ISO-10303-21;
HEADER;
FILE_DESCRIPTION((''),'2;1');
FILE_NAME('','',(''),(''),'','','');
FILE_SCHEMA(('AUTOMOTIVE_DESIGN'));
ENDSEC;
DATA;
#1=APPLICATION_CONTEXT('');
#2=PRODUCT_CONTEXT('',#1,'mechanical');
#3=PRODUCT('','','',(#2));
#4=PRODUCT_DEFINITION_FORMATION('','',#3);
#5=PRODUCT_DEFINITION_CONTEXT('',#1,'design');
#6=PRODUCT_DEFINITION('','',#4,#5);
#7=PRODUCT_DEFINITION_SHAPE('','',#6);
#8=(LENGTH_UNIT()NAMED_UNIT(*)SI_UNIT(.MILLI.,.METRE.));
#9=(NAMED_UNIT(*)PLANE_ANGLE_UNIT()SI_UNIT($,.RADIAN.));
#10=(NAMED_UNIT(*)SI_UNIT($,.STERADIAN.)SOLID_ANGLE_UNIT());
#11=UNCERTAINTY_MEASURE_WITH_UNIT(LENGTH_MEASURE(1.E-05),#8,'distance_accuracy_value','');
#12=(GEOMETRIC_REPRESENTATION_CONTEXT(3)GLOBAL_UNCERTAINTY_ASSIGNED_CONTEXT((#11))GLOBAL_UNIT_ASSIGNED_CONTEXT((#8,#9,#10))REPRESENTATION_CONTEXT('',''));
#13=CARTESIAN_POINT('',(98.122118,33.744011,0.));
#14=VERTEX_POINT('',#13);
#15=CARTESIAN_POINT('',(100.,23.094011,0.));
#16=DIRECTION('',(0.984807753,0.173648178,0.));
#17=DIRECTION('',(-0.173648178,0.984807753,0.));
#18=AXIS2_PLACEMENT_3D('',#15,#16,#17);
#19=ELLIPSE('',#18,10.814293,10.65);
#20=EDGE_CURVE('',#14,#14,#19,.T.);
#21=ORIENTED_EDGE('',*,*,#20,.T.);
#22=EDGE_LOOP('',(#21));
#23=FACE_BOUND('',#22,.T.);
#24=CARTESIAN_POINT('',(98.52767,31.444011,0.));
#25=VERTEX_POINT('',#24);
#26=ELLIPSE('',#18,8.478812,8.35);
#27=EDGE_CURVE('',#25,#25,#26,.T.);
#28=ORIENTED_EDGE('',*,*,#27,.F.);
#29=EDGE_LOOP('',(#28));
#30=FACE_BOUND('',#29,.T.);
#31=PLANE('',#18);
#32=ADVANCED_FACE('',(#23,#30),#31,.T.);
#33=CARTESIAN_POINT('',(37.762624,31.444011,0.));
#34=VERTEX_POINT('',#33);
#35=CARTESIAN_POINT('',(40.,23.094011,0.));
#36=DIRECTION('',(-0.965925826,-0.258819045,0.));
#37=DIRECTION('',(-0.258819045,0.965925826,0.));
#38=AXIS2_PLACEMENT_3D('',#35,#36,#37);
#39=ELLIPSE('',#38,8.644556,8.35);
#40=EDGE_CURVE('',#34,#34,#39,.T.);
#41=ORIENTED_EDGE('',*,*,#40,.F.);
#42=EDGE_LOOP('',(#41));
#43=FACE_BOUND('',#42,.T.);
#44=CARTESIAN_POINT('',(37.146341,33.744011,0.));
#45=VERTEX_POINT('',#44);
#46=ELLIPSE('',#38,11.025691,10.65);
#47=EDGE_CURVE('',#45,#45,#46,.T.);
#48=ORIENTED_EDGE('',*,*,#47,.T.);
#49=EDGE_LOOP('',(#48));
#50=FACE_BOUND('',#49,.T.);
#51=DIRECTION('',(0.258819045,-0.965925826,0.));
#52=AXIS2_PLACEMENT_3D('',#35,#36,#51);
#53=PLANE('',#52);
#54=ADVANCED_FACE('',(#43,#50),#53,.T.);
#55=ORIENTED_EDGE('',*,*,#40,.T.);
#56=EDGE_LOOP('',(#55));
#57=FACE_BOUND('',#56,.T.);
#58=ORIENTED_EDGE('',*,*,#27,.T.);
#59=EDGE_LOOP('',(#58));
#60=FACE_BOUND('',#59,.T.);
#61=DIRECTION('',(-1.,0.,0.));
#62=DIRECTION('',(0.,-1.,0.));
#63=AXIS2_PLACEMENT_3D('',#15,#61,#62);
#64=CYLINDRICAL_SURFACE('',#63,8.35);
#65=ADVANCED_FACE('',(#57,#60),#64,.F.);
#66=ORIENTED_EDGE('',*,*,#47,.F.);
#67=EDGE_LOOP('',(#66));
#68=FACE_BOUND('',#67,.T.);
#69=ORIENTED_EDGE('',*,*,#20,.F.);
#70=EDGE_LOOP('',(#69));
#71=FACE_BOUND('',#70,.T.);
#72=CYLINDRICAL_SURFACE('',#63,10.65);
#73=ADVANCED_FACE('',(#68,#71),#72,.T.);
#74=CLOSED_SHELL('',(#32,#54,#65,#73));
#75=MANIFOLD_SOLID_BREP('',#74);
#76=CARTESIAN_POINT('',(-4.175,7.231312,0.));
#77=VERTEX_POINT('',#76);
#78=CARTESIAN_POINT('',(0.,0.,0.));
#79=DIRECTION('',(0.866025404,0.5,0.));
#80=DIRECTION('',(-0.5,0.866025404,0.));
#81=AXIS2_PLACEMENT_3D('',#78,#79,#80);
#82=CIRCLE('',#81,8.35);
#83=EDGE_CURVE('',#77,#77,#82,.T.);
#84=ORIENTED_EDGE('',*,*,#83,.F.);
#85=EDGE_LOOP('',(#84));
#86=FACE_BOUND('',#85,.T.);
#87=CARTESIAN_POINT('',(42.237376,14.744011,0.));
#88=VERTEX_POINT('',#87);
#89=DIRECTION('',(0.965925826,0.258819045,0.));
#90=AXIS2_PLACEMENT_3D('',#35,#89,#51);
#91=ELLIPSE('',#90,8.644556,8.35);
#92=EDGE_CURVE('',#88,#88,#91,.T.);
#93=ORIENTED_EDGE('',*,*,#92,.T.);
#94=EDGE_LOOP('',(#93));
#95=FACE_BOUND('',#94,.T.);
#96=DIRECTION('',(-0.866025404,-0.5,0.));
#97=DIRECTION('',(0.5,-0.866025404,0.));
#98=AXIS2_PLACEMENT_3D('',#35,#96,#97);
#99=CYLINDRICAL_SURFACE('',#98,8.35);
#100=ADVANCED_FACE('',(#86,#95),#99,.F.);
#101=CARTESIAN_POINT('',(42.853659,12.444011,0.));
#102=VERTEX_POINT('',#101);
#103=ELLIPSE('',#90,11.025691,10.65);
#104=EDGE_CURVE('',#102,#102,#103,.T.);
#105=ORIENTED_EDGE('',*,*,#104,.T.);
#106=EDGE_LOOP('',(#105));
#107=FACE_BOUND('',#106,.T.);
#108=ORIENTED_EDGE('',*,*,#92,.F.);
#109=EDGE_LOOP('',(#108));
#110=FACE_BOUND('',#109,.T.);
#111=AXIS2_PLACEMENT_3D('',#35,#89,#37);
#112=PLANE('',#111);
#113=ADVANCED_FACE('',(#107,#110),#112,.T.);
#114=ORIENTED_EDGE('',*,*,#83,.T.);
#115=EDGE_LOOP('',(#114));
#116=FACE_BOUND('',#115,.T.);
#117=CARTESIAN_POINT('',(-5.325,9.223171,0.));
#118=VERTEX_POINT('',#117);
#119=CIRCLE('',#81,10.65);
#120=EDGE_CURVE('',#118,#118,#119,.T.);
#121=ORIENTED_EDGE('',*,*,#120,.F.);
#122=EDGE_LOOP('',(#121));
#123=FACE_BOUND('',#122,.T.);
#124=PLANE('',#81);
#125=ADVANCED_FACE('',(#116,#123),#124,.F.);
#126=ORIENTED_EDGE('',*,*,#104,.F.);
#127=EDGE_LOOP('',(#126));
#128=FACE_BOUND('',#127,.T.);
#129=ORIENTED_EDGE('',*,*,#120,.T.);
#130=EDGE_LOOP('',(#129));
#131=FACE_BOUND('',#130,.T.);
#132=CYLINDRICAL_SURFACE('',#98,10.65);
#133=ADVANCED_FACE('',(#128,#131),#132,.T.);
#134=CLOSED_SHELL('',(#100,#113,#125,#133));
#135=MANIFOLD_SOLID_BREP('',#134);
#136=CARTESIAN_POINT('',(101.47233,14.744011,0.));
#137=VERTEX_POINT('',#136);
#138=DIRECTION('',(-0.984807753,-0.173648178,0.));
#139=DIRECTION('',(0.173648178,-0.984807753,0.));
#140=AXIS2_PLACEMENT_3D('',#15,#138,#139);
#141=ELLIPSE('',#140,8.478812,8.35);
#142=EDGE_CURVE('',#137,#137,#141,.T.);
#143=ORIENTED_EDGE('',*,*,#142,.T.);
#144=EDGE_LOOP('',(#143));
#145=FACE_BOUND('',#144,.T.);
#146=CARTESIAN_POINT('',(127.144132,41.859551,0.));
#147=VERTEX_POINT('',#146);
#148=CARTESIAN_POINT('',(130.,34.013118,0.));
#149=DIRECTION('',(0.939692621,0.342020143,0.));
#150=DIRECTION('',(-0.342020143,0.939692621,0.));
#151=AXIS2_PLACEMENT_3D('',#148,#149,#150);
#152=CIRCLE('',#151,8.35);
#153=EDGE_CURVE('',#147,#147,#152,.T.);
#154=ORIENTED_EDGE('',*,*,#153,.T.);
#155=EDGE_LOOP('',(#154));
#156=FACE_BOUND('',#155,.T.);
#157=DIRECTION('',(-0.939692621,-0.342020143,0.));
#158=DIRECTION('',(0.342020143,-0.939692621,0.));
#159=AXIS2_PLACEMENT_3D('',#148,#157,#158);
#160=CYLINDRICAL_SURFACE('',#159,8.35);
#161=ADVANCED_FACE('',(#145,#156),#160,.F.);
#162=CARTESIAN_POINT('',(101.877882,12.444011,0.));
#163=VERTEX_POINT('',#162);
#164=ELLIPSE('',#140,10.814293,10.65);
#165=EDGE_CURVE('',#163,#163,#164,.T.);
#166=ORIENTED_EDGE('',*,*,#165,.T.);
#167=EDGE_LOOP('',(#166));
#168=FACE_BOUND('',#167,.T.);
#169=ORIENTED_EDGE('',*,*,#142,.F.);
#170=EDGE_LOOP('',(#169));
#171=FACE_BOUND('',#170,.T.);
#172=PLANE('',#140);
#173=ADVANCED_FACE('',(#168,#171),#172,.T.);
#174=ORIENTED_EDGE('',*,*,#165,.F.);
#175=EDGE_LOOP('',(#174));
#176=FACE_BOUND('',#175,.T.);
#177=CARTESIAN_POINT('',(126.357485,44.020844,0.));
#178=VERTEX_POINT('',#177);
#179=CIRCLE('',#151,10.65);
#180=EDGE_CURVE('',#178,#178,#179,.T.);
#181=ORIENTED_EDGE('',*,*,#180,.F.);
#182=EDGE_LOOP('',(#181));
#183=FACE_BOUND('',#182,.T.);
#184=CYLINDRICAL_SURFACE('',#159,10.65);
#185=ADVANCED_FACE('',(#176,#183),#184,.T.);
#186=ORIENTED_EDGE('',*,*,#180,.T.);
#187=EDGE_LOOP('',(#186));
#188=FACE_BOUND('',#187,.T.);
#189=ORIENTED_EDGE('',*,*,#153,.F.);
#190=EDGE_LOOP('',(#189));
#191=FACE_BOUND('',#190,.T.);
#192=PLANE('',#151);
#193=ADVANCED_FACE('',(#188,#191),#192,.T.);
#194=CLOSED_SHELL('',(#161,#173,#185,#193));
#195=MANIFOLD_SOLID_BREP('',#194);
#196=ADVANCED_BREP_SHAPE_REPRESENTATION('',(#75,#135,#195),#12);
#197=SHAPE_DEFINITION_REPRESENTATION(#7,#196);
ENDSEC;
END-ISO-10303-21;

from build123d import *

# Parameters (mm, degrees)
SKETCH1_R                    = 10.65
SKETCH1_R_2                  = 8.35
TUBER_A_21_3_X_2_3_1_DEPTH   = 51.223704653
SKETCH1_ON_SEGMENT_2_R       = 10.65
SKETCH1_ON_SEGMENT_2_R_2     = 8.35
TUBER_A_21_3_X_2_3_1_2_DEPTH = 68.691409798
SKETCH1_ON_SEGMENT_3_R       = 10.65
SKETCH1_ON_SEGMENT_3_R_2     = 8.35
TUBER_A_21_3_X_2_3_1_3_DEPTH = 35.581059854


with BuildPart() as part:
    # Sketch1 → Tubería 21.3 X 2.3(1) (new body)
    with BuildSketch(Plane(origin=(0, 0, 0), x_dir=(-0.5, 0.866025404, 0), z_dir=(0.866025404, 0.5, 0))):
        Circle(SKETCH1_R)
        Circle(SKETCH1_R_2, mode=Mode.SUBTRACT)
    extrude(amount=TUBER_A_21_3_X_2_3_1_DEPTH)

    # Tubería 21.3 X 2.3(1) mitre 1
    split(bisect_by=Plane(origin=(40, 23.094010768, 0), x_dir=(0.258819045, -0.965925826, 0), z_dir=(-0.965925826, -0.258819045, 0)), keep=Keep.TOP)


with BuildPart() as body_2:
    # Sketch1 on segment 2 (carried to segment 2) → Tuber_a 21.3 X 2.3_1 2 (new body)
    with BuildSketch(Plane(origin=(34.964316882, 23.094010768, 0), x_dir=(0, 1, 0), z_dir=(1, 0, 0))):
        Circle(SKETCH1_ON_SEGMENT_2_R)
        Circle(SKETCH1_ON_SEGMENT_2_R_2, mode=Mode.SUBTRACT)
    extrude(amount=TUBER_A_21_3_X_2_3_1_2_DEPTH)

    # Tuber_a 21.3 X 2.3_1 2 mitre 1
    split(bisect_by=Plane(origin=(40, 23.094010768, 0), x_dir=(-0.258819045, 0.965925826, 0), z_dir=(0.965925826, 0.258819045, 0)), keep=Keep.TOP)

    # Tuber_a 21.3 X 2.3_1 2 mitre 2
    split(bisect_by=Plane(origin=(100, 23.094010768, 0), x_dir=(0.173648178, -0.984807753, 0), z_dir=(-0.984807753, -0.173648178, 0)), keep=Keep.TOP)


with BuildPart() as body_3:
    # Sketch1 on segment 3 (carried to segment 3) → Tuber_a 21.3 X 2.3_1 3 (new body)
    with BuildSketch(Plane(origin=(96.564740615, 21.843678604, 0), x_dir=(-0.342020143, 0.939692621, 0), z_dir=(0.939692621, 0.342020143, 0))):
        Circle(SKETCH1_ON_SEGMENT_3_R)
        Circle(SKETCH1_ON_SEGMENT_3_R_2, mode=Mode.SUBTRACT)
    extrude(amount=TUBER_A_21_3_X_2_3_1_3_DEPTH)

    # Tuber_a 21.3 X 2.3_1 3 mitre 1
    split(bisect_by=Plane(origin=(100, 23.094010768, 0), x_dir=(-0.173648178, 0.984807753, 0), z_dir=(0.984807753, 0.173648178, 0)), keep=Keep.TOP)


solid = Compound([part.part, body_2.part, body_3.part])
